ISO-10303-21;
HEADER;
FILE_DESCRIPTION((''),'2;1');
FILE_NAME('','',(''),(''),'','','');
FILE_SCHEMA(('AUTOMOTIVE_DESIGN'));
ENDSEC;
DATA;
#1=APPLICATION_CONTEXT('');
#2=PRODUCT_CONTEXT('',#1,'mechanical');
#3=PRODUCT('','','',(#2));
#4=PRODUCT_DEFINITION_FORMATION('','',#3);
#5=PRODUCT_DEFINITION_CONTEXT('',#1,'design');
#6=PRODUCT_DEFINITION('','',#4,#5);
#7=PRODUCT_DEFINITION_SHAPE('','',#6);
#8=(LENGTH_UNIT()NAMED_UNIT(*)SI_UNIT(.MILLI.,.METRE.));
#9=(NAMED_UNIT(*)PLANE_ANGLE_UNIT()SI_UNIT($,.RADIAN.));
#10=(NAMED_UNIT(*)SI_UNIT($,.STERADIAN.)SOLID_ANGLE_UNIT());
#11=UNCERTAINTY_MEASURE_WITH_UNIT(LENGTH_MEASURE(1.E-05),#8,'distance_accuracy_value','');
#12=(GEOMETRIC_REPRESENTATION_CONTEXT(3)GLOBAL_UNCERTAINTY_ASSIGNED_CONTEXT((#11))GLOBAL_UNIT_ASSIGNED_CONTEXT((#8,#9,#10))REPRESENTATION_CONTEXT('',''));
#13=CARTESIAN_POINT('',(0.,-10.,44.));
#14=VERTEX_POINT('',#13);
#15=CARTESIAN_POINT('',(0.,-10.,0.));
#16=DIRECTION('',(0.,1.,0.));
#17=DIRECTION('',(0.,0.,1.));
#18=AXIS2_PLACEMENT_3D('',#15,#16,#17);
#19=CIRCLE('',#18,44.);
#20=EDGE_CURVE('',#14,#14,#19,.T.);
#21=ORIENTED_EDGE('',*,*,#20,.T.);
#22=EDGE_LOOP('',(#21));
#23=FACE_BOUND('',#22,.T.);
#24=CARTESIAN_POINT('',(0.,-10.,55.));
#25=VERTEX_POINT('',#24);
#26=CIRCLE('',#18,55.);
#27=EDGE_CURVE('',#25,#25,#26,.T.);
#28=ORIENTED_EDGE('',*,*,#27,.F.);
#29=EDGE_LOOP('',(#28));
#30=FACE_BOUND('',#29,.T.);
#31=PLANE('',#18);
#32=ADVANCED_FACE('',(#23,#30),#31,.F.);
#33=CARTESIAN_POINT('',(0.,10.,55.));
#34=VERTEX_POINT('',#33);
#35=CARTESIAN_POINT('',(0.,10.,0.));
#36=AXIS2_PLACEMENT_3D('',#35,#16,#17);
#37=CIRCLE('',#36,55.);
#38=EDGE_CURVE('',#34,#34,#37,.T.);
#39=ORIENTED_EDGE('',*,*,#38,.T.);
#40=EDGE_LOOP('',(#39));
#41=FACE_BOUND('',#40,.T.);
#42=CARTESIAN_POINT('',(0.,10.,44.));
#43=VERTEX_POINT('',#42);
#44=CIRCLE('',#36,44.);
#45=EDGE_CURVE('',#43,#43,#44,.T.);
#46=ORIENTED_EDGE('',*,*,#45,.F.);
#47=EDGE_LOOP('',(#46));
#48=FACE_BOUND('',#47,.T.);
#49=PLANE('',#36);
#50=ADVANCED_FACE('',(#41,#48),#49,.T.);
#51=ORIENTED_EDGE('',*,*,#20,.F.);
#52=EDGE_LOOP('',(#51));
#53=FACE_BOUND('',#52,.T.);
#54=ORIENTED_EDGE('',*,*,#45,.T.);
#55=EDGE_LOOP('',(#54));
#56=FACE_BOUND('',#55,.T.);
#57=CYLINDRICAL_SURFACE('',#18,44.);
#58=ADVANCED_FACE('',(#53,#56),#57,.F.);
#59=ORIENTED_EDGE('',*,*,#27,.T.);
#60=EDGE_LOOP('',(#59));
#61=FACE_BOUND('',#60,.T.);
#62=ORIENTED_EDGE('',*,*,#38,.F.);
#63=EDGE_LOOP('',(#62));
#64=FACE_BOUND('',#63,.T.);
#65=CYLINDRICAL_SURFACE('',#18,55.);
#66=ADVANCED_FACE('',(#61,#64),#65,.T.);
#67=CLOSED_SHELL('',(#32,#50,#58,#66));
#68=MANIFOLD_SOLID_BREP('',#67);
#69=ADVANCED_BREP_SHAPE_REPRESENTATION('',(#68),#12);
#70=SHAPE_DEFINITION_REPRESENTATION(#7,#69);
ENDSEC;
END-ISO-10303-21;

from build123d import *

# Parameters (mm, degrees)
BOSS_EXTRUDE1_DEPTH      = 10
BOSS_EXTRUDE1_DEPTH_BACK = 10
SKETCH1_R                = 55
SKETCH1_R_2              = 44


with BuildPart() as part:
    # Sketch1 → Boss-Extrude1 (new, two sides: drawn at the far end of the back side and taken through both)
    with BuildSketch(Plane(origin=(0, 0, 0), x_dir=(1, 0, 0), z_dir=(0, 1, 0)).offset(-BOSS_EXTRUDE1_DEPTH_BACK)):
        Circle(SKETCH1_R)
        Circle(SKETCH1_R_2, mode=Mode.SUBTRACT)
    extrude(amount=BOSS_EXTRUDE1_DEPTH + BOSS_EXTRUDE1_DEPTH_BACK)


solid = part.part
